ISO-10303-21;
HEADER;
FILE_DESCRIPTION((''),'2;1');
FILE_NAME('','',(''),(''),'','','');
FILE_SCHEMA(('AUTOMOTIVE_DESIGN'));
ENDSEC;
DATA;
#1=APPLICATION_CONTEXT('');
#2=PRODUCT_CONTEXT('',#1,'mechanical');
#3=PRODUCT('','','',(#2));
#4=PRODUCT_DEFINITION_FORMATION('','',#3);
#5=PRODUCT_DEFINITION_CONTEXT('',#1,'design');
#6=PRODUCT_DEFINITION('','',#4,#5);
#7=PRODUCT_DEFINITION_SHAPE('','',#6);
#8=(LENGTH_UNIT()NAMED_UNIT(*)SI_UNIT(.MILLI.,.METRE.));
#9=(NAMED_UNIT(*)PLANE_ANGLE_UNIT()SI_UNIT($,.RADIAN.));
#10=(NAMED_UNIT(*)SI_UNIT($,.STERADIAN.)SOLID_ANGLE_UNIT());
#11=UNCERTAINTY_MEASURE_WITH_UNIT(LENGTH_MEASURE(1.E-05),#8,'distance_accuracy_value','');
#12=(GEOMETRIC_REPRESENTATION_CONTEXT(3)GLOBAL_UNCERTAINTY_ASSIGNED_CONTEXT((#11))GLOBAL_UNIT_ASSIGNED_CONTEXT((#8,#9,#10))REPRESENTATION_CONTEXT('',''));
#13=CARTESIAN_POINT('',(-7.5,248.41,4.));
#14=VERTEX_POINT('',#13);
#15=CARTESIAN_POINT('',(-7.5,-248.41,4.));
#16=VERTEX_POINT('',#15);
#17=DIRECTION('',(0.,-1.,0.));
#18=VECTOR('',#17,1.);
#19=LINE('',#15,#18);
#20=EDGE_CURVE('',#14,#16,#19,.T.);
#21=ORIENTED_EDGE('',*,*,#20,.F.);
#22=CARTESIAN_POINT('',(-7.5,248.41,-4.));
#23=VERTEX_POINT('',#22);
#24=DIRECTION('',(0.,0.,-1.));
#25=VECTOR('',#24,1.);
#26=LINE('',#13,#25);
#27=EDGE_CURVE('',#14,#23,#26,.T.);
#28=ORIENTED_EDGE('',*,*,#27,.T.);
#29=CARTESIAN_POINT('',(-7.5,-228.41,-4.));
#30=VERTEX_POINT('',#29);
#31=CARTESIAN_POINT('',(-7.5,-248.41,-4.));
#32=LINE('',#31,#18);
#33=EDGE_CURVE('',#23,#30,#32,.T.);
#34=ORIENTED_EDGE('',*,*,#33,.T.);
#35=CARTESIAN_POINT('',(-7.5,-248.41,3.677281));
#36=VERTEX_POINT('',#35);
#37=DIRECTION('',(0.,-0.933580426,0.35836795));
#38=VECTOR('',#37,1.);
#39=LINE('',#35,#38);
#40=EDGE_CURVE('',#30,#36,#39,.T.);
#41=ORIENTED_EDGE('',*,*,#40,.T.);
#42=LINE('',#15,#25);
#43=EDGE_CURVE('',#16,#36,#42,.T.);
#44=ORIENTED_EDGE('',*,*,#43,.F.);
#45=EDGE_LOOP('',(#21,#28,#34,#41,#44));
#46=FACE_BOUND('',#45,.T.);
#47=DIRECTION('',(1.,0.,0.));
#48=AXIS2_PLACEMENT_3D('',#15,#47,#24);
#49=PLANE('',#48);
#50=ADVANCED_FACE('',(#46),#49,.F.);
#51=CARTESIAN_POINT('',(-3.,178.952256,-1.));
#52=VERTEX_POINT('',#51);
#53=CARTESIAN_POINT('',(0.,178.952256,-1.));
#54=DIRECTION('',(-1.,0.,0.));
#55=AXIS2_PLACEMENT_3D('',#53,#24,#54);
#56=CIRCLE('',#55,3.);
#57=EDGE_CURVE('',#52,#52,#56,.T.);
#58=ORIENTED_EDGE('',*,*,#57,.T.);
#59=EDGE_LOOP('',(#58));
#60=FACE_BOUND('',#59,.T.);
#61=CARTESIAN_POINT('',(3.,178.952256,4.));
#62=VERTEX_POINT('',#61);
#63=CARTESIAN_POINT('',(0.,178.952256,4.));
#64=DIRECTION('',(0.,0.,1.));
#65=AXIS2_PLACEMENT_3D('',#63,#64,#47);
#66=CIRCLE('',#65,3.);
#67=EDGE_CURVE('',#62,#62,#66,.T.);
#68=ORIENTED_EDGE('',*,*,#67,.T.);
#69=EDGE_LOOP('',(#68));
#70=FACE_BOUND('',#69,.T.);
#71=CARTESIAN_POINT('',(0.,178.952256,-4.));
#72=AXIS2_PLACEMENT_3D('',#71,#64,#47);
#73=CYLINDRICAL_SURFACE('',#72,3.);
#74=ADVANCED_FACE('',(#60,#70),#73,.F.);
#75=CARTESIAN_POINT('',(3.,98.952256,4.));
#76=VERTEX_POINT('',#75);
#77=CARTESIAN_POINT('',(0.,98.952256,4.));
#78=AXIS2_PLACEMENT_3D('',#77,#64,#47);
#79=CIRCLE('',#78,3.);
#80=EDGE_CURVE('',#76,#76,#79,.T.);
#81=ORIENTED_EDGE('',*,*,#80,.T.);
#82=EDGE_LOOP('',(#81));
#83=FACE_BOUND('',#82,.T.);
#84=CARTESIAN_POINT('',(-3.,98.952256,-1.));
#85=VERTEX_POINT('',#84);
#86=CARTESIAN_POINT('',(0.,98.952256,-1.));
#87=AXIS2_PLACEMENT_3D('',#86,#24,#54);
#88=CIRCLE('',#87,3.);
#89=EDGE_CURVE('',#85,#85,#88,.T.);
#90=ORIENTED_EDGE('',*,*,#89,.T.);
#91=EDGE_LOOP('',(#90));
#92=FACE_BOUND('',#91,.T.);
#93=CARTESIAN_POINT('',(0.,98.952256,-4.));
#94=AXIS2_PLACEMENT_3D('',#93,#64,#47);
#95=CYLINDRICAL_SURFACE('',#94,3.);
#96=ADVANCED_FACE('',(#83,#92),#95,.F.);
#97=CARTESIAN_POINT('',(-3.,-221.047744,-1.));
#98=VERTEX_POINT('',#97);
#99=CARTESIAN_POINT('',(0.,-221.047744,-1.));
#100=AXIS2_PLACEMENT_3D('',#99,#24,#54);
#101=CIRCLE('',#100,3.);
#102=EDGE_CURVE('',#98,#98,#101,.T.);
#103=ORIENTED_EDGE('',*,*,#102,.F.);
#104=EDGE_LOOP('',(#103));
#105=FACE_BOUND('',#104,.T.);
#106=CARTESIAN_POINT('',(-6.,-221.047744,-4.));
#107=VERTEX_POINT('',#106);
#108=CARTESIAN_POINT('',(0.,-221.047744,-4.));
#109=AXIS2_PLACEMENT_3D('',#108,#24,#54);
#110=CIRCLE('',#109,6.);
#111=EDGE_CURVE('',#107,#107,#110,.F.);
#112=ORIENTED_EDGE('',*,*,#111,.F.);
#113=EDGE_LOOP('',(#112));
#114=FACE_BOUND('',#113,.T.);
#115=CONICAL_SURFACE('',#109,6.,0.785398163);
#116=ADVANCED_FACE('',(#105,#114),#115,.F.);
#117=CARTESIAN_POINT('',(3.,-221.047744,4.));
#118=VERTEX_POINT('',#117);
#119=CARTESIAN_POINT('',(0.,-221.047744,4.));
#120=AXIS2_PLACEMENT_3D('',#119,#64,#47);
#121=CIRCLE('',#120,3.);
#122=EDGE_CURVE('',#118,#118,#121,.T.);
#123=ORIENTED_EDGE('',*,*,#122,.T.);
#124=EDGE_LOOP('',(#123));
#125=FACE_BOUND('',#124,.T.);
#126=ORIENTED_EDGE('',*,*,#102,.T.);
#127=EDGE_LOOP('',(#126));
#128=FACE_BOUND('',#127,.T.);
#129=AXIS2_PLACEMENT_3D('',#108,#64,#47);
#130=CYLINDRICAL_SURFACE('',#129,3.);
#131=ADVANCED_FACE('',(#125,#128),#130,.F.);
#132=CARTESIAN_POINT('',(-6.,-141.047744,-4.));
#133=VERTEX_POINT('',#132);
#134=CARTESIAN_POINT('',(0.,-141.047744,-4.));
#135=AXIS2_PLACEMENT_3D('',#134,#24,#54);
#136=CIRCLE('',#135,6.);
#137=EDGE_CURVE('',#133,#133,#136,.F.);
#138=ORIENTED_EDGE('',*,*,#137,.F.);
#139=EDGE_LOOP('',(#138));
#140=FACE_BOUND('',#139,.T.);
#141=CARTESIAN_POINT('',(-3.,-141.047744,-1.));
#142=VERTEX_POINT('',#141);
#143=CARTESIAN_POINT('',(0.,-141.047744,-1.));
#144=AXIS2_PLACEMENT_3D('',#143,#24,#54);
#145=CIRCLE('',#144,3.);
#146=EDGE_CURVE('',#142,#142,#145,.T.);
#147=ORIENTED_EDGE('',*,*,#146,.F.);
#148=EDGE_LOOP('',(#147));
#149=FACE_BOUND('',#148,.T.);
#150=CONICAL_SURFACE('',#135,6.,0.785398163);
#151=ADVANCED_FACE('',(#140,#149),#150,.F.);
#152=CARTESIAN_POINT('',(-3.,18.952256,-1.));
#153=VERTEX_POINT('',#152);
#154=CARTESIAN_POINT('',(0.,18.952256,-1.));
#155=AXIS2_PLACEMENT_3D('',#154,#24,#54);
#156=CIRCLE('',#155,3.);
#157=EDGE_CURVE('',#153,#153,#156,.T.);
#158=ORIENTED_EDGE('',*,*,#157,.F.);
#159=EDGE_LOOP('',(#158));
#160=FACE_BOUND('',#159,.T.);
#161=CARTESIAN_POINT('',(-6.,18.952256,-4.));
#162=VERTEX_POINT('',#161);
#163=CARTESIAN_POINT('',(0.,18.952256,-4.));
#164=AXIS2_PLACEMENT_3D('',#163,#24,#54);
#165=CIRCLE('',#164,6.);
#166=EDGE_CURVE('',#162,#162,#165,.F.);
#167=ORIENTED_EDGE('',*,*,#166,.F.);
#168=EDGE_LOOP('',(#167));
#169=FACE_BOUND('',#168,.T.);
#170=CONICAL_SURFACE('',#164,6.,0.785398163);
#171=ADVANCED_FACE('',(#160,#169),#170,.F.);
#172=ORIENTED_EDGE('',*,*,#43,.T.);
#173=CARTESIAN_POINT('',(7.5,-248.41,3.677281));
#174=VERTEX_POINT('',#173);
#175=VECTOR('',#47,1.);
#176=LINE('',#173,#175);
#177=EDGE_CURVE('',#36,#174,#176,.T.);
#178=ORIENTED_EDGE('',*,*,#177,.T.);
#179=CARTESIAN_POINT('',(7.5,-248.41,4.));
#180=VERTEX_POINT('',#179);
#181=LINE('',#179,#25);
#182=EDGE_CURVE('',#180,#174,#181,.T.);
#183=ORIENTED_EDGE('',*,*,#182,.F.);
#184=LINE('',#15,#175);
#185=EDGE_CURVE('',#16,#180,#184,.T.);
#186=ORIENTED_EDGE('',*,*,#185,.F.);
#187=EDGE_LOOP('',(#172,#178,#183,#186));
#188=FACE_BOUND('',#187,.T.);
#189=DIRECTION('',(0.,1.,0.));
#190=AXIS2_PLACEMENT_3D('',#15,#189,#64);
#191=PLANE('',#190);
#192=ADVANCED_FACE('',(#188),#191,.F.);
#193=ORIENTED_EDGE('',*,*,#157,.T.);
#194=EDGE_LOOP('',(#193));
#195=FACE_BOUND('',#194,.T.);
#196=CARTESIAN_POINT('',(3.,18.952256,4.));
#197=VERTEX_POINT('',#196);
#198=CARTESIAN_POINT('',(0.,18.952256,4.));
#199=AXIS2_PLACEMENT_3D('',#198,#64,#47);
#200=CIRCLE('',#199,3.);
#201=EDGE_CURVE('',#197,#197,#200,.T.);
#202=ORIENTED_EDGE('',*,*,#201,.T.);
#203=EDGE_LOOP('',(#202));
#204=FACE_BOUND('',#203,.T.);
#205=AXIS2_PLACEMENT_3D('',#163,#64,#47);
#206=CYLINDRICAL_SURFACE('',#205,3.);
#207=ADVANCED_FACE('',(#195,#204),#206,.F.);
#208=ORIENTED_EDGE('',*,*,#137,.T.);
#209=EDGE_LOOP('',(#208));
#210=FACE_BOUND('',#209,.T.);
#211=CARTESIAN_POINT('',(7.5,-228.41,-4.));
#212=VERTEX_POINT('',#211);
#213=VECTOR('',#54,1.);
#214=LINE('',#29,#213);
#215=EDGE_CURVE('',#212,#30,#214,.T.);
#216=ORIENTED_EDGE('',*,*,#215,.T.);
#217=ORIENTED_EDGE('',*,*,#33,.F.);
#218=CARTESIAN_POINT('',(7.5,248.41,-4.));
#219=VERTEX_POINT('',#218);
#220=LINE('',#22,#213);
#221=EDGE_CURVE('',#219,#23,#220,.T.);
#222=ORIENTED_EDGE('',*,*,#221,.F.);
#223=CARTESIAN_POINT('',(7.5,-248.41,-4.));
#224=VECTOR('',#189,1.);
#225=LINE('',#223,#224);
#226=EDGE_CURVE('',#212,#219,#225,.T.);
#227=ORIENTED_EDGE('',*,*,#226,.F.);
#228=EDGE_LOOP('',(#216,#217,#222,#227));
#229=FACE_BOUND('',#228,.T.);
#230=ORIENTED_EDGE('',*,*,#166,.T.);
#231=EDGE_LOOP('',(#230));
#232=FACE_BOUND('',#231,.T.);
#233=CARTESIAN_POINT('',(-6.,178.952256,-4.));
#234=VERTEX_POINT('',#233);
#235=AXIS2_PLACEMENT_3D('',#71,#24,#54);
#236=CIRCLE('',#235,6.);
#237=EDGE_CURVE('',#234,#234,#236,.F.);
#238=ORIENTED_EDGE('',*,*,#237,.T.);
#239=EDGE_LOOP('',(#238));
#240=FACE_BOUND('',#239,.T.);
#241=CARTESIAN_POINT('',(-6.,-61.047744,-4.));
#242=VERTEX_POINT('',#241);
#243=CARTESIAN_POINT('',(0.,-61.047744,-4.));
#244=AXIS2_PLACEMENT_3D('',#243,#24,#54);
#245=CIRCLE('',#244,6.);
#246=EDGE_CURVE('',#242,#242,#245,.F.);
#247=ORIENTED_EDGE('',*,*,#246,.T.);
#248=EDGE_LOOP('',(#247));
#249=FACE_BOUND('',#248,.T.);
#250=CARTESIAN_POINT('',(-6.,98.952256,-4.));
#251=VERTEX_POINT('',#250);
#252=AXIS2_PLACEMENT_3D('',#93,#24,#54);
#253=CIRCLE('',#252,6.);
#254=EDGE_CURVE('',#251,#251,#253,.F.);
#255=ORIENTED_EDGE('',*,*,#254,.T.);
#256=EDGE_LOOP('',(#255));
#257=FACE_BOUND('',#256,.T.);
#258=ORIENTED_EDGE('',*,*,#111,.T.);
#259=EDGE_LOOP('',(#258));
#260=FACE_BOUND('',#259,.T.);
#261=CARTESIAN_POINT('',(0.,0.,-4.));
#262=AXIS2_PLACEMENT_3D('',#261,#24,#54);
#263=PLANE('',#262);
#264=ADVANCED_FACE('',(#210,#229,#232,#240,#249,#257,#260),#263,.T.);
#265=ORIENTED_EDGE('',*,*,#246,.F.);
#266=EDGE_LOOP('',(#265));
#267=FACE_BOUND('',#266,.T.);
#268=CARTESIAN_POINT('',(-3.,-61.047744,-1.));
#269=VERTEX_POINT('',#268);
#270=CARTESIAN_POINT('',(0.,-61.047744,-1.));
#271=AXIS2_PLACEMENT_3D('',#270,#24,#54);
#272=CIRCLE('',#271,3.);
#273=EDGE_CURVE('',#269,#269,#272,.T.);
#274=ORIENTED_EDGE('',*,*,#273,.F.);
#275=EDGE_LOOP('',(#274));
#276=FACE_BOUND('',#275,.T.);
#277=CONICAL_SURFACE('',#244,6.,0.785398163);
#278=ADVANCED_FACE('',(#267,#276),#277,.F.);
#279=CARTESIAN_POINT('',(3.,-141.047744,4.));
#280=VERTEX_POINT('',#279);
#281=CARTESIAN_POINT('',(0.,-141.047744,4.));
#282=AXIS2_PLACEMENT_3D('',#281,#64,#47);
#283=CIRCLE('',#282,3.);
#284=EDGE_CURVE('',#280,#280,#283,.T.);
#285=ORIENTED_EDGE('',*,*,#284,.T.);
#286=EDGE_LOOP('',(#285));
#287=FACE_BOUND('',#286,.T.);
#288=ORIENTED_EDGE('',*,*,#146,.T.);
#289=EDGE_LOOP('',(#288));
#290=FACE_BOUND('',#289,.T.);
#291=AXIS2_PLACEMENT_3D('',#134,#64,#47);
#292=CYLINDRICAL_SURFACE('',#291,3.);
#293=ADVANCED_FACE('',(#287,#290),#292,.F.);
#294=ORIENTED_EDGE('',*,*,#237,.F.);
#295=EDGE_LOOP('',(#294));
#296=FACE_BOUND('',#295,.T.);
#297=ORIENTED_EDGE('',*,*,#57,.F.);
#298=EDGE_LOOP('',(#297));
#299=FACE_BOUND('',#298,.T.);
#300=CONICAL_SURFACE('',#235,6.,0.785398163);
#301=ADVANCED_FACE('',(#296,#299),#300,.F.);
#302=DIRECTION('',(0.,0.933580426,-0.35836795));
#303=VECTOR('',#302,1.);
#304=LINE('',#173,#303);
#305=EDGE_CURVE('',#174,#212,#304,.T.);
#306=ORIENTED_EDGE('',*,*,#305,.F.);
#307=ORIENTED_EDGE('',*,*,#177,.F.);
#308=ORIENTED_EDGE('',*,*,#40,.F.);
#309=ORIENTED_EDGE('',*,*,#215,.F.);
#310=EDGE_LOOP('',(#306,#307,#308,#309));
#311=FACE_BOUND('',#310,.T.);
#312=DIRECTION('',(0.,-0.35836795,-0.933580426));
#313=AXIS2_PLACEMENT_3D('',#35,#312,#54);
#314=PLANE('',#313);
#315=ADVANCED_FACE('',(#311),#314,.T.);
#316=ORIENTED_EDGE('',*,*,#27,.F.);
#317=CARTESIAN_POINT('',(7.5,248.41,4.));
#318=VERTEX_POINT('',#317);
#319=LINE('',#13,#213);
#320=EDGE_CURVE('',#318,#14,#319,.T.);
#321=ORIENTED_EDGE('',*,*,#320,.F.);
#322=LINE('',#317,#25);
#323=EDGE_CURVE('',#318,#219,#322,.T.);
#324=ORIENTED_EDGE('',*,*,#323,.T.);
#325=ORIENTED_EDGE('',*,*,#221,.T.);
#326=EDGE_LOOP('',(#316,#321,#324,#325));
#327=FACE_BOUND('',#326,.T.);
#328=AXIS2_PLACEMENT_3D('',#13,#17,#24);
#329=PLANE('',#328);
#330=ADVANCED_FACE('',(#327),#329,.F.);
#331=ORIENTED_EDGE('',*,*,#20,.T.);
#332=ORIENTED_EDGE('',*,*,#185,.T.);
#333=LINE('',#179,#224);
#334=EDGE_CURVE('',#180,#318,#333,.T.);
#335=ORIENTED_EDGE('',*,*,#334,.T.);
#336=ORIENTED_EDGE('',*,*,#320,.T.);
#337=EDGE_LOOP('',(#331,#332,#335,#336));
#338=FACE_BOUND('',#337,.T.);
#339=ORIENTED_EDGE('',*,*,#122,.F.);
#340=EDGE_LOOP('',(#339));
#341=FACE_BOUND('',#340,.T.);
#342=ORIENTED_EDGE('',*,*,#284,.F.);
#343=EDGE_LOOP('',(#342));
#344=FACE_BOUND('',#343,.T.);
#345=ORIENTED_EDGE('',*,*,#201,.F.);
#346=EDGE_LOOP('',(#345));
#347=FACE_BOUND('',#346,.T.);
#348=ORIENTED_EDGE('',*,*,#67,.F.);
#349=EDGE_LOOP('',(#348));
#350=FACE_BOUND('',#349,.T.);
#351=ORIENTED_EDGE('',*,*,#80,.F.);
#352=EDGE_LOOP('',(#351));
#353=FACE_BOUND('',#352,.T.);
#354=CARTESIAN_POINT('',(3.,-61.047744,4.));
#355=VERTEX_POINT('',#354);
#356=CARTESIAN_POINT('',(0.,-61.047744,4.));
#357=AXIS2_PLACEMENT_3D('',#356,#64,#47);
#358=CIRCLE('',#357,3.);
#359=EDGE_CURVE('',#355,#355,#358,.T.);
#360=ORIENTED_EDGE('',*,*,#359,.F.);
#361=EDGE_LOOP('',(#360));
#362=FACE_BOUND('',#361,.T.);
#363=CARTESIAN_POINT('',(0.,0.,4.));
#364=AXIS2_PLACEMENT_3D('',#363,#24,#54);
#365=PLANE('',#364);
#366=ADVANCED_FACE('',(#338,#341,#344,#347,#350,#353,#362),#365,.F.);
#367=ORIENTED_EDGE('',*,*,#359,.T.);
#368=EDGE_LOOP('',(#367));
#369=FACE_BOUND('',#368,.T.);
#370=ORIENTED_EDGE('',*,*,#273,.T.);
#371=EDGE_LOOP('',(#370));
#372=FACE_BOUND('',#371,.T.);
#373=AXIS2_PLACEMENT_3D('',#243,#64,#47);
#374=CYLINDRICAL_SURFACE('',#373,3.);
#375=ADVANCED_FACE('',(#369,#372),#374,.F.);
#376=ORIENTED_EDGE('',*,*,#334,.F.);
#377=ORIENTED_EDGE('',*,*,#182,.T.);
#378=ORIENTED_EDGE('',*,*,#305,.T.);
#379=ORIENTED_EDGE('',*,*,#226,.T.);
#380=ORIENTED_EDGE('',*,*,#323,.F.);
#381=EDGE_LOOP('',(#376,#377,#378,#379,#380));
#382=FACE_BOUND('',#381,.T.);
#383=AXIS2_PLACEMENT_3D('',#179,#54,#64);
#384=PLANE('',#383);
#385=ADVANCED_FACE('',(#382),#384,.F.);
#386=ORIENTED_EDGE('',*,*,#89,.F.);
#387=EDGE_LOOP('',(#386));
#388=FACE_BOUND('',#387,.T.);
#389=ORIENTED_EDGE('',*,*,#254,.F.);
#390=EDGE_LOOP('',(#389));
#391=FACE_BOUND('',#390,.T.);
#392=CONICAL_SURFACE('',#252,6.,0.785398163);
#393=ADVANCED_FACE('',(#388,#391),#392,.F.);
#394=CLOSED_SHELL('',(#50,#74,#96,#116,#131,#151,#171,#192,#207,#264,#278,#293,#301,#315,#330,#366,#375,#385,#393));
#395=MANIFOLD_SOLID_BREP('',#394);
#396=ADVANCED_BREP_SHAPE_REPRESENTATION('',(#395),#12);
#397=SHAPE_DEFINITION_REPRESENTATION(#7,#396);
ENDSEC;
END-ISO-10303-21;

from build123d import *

# Parameters (mm, degrees)
SKETCH1_W           = 15
SKETCH1_H           = 496.82
BOSS_EXTRUDE1_DEPTH = 4
SKETCH2_R           = 3
CUT_EXTRUDE1_DEPTH  = 8
CHAMFER1_SIZE       = 20
CHAMFER1_SIZE2      = 7.677280701
LPATTERN1_COUNT     = 6
LPATTERN1_PITCH     = 80
CHAMFER3_SIZE       = 3


with BuildPart() as part:
    # Sketch1 → Boss-Extrude1 (new, symmetric)
    with BuildSketch(Plane.XY):
        Rectangle(SKETCH1_W, SKETCH1_H)
    extrude(amount=BOSS_EXTRUDE1_DEPTH, both=True)

    # Sketch2 → Cut-Extrude1 (cut)
    with BuildSketch(Plane.XY.offset(4)):
        with Locations((0, 178.95225561)):
            Circle(SKETCH2_R)
    cut_extrude1 = extrude(amount=-CUT_EXTRUDE1_DEPTH, mode=Mode.SUBTRACT)

    # Chamfer1
    chamfer1_edges = [part.edges().sort_by_distance(p)[0] for p in [
        (0, -248.41, -4),
    ]]
    chamfer1_side = [part.faces().sort_by_distance(p)[0] for p in [
        (0, -0.68153803, -4),
    ]]
    chamfer(chamfer1_edges, length=CHAMFER1_SIZE, length2=CHAMFER1_SIZE2, reference=chamfer1_side[0])

    # LPattern1: Cut-Extrude1 ×6
    with Locations(*[(0, -i * LPATTERN1_PITCH, 0) for i in range(1, LPATTERN1_COUNT)]):
        add(cut_extrude1, mode=Mode.SUBTRACT)

    # Chamfer3
    chamfer3_edges = [part.edges().sort_by_distance(p)[0] for p in [
        (-3, 178.95225561, -4),
        (-3, 98.95225561, -4),
        (-3, 18.95225561, -4),
        (-3, -61.04774439, -4),
        (-3, -141.04774439, -4),
        (-3, -221.04774439, -4),
    ]]
    chamfer(chamfer3_edges, length=CHAMFER3_SIZE)


solid = part.part
